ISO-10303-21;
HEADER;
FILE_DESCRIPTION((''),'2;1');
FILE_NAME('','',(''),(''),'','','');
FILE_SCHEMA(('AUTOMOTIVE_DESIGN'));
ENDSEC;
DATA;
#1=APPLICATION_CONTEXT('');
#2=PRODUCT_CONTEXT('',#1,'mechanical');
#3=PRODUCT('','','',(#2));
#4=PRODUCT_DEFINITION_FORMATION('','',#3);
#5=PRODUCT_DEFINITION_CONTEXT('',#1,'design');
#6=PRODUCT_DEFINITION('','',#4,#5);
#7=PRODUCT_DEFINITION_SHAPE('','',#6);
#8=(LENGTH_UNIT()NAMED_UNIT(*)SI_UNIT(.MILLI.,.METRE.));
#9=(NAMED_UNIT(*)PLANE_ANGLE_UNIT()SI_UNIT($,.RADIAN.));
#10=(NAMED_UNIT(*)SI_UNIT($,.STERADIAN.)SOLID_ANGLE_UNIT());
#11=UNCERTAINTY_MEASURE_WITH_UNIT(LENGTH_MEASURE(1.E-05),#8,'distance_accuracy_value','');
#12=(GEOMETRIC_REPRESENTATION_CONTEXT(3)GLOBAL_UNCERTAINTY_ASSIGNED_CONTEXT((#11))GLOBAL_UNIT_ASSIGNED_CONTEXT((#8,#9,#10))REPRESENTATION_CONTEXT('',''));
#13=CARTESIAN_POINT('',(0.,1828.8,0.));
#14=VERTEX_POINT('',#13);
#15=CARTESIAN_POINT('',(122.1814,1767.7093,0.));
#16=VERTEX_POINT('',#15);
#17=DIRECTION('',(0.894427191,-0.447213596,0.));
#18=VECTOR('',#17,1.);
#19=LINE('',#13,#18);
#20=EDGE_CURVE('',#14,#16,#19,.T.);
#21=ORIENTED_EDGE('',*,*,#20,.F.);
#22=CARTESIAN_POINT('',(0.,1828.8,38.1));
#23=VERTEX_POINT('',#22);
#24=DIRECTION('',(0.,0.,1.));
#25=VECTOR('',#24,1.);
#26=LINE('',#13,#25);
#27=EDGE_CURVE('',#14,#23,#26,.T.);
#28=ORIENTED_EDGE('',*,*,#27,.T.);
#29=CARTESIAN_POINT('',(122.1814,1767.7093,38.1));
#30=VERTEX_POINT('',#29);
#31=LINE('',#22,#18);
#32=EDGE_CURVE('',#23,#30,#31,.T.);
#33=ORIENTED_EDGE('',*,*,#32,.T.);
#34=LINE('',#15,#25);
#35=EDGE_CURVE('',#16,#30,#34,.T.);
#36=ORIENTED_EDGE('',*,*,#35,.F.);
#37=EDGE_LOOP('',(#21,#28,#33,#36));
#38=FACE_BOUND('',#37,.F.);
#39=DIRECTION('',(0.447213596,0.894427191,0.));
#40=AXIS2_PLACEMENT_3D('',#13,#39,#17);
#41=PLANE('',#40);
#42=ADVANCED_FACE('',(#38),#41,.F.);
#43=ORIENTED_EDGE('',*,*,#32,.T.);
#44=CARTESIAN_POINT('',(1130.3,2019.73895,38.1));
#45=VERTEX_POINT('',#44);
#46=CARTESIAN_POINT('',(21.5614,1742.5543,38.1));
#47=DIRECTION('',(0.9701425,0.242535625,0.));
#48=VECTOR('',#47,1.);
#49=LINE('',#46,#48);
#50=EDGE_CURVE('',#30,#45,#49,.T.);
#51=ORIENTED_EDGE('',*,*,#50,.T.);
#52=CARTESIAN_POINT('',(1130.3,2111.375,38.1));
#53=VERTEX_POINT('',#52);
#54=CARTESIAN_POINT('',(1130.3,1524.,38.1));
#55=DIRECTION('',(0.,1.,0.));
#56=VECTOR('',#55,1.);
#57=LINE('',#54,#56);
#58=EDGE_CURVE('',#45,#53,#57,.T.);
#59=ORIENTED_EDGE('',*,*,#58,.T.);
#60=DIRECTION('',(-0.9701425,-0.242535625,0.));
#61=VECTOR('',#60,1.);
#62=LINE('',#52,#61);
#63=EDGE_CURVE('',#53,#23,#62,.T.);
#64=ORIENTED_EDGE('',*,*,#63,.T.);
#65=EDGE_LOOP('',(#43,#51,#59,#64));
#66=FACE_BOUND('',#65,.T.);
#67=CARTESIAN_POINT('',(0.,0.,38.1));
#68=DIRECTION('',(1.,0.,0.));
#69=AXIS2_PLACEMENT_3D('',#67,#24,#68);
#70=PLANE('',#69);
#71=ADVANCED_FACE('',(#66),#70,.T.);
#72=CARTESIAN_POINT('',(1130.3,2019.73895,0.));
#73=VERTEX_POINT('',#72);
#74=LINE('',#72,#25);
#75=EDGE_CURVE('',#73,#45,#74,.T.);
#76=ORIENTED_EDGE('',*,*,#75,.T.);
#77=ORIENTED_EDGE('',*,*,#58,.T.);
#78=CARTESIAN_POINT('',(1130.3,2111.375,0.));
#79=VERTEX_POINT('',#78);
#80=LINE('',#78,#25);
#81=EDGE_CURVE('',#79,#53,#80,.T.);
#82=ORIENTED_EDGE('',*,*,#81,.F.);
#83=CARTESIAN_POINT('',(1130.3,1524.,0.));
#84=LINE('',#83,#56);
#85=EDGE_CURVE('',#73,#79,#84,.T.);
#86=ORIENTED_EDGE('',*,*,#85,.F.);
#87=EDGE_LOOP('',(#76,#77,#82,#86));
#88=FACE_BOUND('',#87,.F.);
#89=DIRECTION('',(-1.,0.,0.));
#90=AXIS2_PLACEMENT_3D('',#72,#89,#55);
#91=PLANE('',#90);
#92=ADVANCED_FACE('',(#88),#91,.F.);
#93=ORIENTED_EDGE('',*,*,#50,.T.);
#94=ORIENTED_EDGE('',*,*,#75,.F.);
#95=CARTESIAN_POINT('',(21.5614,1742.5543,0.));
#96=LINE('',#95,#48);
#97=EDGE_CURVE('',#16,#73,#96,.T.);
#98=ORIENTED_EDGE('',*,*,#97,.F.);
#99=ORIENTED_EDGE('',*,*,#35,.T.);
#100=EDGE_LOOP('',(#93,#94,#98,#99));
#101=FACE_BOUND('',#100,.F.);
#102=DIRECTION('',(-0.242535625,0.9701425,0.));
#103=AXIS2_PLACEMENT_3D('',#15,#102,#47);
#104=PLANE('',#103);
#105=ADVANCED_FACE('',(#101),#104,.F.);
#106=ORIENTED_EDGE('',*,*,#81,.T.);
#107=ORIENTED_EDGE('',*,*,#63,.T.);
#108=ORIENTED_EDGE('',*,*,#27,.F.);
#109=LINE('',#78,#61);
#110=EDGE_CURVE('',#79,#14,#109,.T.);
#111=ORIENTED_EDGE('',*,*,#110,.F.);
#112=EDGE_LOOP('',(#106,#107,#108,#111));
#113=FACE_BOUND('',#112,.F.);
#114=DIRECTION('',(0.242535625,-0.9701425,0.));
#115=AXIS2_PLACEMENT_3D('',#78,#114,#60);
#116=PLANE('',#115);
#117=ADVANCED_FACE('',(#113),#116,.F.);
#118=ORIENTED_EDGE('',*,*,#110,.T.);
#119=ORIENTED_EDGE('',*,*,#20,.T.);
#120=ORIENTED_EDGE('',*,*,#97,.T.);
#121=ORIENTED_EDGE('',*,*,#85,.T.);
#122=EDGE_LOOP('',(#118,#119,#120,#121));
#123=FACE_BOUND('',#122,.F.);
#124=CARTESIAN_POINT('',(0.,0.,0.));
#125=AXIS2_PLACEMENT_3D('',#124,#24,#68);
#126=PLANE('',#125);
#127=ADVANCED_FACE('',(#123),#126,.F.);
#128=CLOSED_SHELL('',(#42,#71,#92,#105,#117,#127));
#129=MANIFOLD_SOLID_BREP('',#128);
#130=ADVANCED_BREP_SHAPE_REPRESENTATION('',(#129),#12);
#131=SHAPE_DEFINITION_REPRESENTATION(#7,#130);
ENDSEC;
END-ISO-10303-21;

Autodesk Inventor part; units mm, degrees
ref_plane "YZ Plane" through (0, 0, 0) normal (1, 0, 0) x (0, 1, 0)
ref_plane "XZ Plane" through (0, 0, 0) normal (0, 1, 0) x (-1, 0, 0)
ref_plane "XY Plane" through (0, 0, 0) normal (0, 0, 1) x (1, 0, 0)
sketch "Sketch1" plane through (0, 0, 0) normal (0, 0, 1) x (1, 0, 0)
  line L0 (0, 0) -> (1219.2, 0)
  line L1 (0, 0) -> (0, 1524)
  line L2 (0, 1524) -> (0, 1828.8)
  line L3 (0, 1524) -> (609.6, 1524)
  line L4 (609.6, 1524) -> (1219.2, 0)
  line L5 (0, 1828.8) -> (609.6, 1524)
  line L6 (609.6, 1524) -> (1219.2, 1524)
  line L7 (1219.2, 1524) -> (1219.2, 914.4)
  line L8 (1219.2, 914.4) -> (914.4, 914.4)
  line L9 (914.4, 914.4) -> (1219.2, 1524)
  line L10 (914.4, 914.4) -> (880.5333, 846.6667)
  line L11 (1219.2, 1524) -> (1219.2, 2133.6)
  line L12 (1219.2, 2133.6) -> (1130.3, 2111.375)
  line L13 (880.5333, 846.6667) -> (801.0188, 886.424)
  line L14 (1219.2, 1524) -> (1139.6854, 1563.7573)
  line L15 (1139.6854, 1563.7573) -> (801.0188, 886.424)
  line L16 (1219.2, 1524) -> (1130.3, 1524)
  line L17 (1130.3, 1524) -> (1130.3, 2111.375)
  line L18 (1219.2, 2133.6) -> (1240.7614, 2047.3543)
  line L19 (0, 1828.8) -> (21.5614, 1742.5543)
  line L20 (21.5614, 1742.5543) -> (1240.7614, 2047.3543)
  line L21 (1130.3, 2111.375) -> (0, 1828.8)
  point P0 (1119.8068, 1524)
  point P1 (836.3586, 957.1036)
  point P2 (122.1814, 1767.7093)
  point P3 (1130.3, 2019.739)
  dimension "d21" = 1219.2
  dimension "d22" = 1524
  dimension "d23" = 304.8
  dimension "d24" = 609.6
  dimension "d25" = 609.6
  dimension "d26" = 609.6
  dimension "d27" = 304.8
  dimension "d28" = 609.6
  dimension "d29" = 88.9
  dimension "d30" = 88.9
  dimension "d31" = 90
  dimension "d32" = 90
  dimension "d33" = 88.9
  dimension "d34" = 88.9
  dimension "d35" = 88.9
  dimension "d36" = 90
  dimension "d37" = 90
extrude "Extrusion2" add sketch "Sketch1" along normal blind 38.1 contours L21 L17 L20 L5
properties part number "S_2x4x45.87"
